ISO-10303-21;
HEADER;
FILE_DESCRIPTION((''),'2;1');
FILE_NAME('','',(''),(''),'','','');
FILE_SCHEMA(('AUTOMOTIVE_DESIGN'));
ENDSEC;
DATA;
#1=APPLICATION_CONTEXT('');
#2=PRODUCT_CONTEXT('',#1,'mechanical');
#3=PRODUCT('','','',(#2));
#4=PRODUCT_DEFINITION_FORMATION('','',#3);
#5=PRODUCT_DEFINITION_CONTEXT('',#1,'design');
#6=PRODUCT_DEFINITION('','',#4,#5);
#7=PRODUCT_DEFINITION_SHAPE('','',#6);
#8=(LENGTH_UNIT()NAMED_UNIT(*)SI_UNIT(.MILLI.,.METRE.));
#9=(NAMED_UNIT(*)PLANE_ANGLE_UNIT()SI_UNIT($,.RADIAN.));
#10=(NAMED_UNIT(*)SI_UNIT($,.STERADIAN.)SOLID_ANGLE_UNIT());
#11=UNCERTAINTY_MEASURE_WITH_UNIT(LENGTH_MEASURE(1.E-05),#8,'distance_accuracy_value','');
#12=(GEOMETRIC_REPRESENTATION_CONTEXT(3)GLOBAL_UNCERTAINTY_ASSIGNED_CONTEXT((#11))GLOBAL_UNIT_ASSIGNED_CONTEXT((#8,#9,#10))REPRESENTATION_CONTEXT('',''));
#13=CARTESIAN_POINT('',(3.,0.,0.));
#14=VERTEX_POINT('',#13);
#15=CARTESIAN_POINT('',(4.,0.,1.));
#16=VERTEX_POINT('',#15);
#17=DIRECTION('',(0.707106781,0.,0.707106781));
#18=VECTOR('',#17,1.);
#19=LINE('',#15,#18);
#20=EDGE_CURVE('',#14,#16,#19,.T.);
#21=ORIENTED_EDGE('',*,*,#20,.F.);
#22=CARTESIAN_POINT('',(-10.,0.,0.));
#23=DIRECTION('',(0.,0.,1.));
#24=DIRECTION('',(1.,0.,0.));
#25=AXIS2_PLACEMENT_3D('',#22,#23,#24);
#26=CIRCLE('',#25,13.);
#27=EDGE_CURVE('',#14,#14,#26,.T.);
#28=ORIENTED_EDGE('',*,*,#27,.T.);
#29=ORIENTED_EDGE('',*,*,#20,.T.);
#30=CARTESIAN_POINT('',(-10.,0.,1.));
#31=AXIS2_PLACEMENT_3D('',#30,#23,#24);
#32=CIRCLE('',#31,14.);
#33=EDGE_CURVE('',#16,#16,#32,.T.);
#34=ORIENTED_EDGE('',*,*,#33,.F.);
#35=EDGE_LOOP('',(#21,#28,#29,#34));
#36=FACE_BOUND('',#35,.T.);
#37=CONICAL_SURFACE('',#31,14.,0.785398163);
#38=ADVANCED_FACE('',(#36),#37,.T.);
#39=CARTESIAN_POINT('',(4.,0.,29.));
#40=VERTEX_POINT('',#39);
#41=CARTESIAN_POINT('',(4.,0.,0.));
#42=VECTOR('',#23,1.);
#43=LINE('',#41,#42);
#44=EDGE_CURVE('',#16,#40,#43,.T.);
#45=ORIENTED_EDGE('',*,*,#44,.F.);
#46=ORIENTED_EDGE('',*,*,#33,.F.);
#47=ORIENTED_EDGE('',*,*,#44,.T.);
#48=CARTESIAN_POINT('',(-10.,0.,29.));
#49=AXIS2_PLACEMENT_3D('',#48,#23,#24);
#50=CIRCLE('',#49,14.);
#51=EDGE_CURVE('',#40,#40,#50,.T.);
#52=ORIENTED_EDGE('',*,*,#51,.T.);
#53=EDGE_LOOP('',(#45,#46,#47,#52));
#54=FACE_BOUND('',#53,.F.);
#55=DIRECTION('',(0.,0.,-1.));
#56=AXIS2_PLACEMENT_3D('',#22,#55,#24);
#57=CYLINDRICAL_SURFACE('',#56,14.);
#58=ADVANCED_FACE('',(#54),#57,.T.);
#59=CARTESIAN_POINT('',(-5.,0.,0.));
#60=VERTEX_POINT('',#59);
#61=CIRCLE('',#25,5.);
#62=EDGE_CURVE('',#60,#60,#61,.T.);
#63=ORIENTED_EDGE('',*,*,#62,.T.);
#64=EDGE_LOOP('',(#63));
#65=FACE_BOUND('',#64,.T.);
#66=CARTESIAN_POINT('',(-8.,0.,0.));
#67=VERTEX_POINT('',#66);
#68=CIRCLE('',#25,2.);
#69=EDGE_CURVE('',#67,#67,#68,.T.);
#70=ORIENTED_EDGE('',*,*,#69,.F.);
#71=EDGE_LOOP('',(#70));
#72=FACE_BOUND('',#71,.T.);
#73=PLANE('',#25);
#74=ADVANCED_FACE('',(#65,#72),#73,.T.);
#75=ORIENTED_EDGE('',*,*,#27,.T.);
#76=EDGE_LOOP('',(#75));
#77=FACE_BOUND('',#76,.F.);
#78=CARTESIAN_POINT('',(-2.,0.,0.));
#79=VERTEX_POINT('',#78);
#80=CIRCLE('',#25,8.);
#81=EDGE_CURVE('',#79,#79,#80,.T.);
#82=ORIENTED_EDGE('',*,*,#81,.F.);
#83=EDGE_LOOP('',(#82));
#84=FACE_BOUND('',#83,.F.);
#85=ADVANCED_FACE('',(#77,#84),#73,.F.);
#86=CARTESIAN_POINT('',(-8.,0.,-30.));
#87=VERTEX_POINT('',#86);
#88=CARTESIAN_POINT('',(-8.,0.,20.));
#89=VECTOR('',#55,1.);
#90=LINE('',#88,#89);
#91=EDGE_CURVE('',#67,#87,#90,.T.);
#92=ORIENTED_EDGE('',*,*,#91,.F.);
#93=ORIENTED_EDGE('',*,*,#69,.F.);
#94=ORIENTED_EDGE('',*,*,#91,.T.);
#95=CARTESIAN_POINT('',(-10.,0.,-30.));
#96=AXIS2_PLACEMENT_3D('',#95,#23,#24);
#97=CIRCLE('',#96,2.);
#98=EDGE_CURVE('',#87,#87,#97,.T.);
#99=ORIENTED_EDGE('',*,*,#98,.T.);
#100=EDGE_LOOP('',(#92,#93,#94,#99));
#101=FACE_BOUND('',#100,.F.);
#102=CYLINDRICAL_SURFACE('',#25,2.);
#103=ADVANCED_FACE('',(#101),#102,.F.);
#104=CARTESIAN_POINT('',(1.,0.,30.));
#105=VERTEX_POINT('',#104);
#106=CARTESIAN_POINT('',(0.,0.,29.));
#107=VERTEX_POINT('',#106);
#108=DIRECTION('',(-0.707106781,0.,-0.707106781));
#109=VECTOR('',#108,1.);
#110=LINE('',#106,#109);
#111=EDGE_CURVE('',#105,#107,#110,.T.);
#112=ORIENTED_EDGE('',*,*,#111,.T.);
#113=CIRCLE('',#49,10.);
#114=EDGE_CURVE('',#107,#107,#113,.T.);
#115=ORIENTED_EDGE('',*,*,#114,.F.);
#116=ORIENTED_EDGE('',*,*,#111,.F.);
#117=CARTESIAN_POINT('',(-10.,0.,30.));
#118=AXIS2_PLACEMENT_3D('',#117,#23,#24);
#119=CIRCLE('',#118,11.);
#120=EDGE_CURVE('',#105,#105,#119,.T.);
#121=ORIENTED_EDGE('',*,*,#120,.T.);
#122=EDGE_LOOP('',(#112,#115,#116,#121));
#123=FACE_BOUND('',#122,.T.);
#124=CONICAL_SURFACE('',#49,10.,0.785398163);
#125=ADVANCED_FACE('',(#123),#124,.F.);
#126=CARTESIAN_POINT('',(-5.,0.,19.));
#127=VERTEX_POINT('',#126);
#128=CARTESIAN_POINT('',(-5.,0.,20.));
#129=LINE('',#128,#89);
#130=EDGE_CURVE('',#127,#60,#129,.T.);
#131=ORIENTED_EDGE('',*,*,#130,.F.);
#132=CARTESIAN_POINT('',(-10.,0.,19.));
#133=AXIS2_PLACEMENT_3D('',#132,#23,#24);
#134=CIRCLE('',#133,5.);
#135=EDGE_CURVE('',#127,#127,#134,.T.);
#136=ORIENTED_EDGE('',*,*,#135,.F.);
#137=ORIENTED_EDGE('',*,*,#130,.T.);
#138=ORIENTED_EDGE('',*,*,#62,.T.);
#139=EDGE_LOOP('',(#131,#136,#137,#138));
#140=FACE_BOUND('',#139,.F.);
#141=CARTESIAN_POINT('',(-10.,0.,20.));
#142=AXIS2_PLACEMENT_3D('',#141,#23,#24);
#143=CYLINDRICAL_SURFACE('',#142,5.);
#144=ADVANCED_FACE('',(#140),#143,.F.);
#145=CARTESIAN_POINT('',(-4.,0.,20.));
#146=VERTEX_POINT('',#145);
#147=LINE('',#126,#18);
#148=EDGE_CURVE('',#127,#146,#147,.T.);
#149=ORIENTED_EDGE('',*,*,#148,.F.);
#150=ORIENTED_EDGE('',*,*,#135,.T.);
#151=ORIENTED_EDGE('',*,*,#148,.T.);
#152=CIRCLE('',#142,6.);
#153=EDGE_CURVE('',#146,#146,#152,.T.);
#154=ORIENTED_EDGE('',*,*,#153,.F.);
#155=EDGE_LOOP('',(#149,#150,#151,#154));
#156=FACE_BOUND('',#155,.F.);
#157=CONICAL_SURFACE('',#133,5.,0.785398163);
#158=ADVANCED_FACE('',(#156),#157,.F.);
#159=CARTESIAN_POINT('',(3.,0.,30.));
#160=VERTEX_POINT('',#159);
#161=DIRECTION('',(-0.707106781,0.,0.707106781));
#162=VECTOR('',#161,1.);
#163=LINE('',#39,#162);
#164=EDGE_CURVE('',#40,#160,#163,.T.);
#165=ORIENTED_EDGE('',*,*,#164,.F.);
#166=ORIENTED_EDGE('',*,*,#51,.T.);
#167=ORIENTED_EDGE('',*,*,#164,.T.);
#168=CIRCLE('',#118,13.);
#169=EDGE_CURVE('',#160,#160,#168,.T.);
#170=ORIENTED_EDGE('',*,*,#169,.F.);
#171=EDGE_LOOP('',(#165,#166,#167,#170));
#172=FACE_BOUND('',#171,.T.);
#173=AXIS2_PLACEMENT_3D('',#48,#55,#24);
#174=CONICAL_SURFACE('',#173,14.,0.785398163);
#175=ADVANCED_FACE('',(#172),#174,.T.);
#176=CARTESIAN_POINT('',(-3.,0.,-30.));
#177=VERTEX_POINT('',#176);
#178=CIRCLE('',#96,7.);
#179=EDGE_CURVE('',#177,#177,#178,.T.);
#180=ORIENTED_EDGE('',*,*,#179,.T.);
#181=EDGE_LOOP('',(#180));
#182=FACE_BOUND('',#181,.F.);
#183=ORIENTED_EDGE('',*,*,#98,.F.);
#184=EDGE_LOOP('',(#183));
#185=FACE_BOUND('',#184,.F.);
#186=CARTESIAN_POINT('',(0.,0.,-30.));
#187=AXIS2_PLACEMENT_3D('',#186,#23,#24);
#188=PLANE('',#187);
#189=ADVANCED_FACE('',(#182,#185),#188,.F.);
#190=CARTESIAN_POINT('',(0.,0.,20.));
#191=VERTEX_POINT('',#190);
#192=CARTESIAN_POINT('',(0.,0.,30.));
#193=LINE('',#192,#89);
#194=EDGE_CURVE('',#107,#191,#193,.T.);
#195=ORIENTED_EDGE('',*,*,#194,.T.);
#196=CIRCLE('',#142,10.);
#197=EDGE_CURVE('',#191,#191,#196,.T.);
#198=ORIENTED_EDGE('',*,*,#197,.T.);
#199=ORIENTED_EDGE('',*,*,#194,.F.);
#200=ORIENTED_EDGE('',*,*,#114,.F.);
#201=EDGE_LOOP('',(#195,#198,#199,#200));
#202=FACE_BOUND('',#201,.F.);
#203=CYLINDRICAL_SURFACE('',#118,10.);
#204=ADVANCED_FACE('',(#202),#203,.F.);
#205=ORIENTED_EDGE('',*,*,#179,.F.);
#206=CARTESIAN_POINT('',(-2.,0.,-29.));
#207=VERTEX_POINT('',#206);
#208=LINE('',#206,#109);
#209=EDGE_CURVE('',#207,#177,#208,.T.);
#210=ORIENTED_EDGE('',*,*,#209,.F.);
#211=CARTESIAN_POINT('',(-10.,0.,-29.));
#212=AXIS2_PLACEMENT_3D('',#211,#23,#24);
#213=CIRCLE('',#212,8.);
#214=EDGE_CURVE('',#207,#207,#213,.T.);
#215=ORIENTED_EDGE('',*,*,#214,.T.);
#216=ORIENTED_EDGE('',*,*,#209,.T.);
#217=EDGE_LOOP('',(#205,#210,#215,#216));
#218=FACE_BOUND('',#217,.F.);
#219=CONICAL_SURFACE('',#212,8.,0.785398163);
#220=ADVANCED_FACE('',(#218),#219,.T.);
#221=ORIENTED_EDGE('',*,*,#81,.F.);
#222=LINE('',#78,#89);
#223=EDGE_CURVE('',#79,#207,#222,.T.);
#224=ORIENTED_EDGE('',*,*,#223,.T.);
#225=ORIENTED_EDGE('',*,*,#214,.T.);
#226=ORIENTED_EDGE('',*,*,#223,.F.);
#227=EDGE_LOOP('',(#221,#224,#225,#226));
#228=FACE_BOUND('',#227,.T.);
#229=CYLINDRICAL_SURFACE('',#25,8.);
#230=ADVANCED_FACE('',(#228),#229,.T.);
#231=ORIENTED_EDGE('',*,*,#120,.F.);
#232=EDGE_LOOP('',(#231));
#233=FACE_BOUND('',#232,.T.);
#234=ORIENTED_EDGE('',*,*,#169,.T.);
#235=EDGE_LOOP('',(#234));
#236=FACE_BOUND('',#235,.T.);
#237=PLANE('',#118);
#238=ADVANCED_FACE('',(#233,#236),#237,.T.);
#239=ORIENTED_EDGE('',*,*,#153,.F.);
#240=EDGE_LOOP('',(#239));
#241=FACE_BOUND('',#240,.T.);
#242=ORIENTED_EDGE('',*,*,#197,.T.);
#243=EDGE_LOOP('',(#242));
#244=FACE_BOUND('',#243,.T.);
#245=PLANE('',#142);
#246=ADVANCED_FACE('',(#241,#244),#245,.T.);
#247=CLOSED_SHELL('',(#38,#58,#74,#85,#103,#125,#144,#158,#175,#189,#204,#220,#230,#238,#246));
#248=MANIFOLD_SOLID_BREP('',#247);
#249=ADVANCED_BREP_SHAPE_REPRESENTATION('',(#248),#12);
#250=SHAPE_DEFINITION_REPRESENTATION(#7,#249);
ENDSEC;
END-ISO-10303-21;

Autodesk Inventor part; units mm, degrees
ref_plane "YZ Plane" through (0, 0, 0) normal (1, 0, 0) x (0, 1, 0)
ref_plane "XZ Plane" through (0, 0, 0) normal (0, 1, 0) x (-1, 0, 0)
ref_plane "XY Plane" through (0, 0, 0) normal (0, 0, 1) x (1, 0, 0)
ref_plane "Płaszczyzna konstrukcyjna1" through (0, 0, 0) normal (0, 0, 1) x (1, 0, 0)
sketch "Szkic1" plane through (0, 0, 0) normal (0, 0, 1) x (1, 0, 0)
  circle A0 centre (-10, 0) radius 10 projected
  circle A1 centre (-10, 0) radius 15
  circle A2 centre (-10, 0) radius 10
  circle A3 centre (-10, 0) radius 8 projected
  circle A4 centre (-10, 0) radius 8
  circle A5 centre (-10, 0) radius 2
  point P0 (0, 0)
  dimension "d0" = 4
extrude "Wyciągnięcie proste1" add sketch "Szkic1" against normal blind 30 contours A3
sketch "Szkic2" plane through (-10, 0, 0) normal (0, 0, 1) x (1, 0, 0)
  circle A0 centre (0, 0) radius 8 projected
  circle A1 centre (0, 0) radius 2 projected
  circle A2 centre (0, 0) radius 2 projected
  circle A3 centre (0, 0) radius 2
  circle A4 centre (0, 0) radius 14 projected
  circle A5 centre (0, 0) radius 14
  point P0 (10, 0)
extrude "Wyciągnięcie proste2" add sketch "Szkic2" along normal blind 30 contours A0 | A4
sketch "Szkic3" plane through (-10, 0, 30) normal (0, 0, 1) x (1, 0, 0)
  circle A0 centre (0, 0) radius 2 projected
  circle A1 centre (0, 0) radius 10
  point P0 (10, 0)
  dimension "d5" = 20
extrude "Wyciągnięcie proste3" cut sketch "Szkic3" against normal blind 10
sketch "Szkic4" plane through (-10, 0, 20) normal (0, 0, 1) x (1, 0, 0)
  circle A0 centre (0, 0) radius 5
  point P0 (10, 0)
  dimension "d8" = 10
extrude "Wyciągnięcie proste4" cut sketch "Szkic4" against normal blind 20
chamfer "Faza1" distance 1 angle 45 5 edges at (-20, 0, 30) (-15, 0, 20) (-24, 0, 30) (-24, 0, 0) (-18, 0, -30)
properties part number "korek" material "Polietylen, o małej gęstości"
